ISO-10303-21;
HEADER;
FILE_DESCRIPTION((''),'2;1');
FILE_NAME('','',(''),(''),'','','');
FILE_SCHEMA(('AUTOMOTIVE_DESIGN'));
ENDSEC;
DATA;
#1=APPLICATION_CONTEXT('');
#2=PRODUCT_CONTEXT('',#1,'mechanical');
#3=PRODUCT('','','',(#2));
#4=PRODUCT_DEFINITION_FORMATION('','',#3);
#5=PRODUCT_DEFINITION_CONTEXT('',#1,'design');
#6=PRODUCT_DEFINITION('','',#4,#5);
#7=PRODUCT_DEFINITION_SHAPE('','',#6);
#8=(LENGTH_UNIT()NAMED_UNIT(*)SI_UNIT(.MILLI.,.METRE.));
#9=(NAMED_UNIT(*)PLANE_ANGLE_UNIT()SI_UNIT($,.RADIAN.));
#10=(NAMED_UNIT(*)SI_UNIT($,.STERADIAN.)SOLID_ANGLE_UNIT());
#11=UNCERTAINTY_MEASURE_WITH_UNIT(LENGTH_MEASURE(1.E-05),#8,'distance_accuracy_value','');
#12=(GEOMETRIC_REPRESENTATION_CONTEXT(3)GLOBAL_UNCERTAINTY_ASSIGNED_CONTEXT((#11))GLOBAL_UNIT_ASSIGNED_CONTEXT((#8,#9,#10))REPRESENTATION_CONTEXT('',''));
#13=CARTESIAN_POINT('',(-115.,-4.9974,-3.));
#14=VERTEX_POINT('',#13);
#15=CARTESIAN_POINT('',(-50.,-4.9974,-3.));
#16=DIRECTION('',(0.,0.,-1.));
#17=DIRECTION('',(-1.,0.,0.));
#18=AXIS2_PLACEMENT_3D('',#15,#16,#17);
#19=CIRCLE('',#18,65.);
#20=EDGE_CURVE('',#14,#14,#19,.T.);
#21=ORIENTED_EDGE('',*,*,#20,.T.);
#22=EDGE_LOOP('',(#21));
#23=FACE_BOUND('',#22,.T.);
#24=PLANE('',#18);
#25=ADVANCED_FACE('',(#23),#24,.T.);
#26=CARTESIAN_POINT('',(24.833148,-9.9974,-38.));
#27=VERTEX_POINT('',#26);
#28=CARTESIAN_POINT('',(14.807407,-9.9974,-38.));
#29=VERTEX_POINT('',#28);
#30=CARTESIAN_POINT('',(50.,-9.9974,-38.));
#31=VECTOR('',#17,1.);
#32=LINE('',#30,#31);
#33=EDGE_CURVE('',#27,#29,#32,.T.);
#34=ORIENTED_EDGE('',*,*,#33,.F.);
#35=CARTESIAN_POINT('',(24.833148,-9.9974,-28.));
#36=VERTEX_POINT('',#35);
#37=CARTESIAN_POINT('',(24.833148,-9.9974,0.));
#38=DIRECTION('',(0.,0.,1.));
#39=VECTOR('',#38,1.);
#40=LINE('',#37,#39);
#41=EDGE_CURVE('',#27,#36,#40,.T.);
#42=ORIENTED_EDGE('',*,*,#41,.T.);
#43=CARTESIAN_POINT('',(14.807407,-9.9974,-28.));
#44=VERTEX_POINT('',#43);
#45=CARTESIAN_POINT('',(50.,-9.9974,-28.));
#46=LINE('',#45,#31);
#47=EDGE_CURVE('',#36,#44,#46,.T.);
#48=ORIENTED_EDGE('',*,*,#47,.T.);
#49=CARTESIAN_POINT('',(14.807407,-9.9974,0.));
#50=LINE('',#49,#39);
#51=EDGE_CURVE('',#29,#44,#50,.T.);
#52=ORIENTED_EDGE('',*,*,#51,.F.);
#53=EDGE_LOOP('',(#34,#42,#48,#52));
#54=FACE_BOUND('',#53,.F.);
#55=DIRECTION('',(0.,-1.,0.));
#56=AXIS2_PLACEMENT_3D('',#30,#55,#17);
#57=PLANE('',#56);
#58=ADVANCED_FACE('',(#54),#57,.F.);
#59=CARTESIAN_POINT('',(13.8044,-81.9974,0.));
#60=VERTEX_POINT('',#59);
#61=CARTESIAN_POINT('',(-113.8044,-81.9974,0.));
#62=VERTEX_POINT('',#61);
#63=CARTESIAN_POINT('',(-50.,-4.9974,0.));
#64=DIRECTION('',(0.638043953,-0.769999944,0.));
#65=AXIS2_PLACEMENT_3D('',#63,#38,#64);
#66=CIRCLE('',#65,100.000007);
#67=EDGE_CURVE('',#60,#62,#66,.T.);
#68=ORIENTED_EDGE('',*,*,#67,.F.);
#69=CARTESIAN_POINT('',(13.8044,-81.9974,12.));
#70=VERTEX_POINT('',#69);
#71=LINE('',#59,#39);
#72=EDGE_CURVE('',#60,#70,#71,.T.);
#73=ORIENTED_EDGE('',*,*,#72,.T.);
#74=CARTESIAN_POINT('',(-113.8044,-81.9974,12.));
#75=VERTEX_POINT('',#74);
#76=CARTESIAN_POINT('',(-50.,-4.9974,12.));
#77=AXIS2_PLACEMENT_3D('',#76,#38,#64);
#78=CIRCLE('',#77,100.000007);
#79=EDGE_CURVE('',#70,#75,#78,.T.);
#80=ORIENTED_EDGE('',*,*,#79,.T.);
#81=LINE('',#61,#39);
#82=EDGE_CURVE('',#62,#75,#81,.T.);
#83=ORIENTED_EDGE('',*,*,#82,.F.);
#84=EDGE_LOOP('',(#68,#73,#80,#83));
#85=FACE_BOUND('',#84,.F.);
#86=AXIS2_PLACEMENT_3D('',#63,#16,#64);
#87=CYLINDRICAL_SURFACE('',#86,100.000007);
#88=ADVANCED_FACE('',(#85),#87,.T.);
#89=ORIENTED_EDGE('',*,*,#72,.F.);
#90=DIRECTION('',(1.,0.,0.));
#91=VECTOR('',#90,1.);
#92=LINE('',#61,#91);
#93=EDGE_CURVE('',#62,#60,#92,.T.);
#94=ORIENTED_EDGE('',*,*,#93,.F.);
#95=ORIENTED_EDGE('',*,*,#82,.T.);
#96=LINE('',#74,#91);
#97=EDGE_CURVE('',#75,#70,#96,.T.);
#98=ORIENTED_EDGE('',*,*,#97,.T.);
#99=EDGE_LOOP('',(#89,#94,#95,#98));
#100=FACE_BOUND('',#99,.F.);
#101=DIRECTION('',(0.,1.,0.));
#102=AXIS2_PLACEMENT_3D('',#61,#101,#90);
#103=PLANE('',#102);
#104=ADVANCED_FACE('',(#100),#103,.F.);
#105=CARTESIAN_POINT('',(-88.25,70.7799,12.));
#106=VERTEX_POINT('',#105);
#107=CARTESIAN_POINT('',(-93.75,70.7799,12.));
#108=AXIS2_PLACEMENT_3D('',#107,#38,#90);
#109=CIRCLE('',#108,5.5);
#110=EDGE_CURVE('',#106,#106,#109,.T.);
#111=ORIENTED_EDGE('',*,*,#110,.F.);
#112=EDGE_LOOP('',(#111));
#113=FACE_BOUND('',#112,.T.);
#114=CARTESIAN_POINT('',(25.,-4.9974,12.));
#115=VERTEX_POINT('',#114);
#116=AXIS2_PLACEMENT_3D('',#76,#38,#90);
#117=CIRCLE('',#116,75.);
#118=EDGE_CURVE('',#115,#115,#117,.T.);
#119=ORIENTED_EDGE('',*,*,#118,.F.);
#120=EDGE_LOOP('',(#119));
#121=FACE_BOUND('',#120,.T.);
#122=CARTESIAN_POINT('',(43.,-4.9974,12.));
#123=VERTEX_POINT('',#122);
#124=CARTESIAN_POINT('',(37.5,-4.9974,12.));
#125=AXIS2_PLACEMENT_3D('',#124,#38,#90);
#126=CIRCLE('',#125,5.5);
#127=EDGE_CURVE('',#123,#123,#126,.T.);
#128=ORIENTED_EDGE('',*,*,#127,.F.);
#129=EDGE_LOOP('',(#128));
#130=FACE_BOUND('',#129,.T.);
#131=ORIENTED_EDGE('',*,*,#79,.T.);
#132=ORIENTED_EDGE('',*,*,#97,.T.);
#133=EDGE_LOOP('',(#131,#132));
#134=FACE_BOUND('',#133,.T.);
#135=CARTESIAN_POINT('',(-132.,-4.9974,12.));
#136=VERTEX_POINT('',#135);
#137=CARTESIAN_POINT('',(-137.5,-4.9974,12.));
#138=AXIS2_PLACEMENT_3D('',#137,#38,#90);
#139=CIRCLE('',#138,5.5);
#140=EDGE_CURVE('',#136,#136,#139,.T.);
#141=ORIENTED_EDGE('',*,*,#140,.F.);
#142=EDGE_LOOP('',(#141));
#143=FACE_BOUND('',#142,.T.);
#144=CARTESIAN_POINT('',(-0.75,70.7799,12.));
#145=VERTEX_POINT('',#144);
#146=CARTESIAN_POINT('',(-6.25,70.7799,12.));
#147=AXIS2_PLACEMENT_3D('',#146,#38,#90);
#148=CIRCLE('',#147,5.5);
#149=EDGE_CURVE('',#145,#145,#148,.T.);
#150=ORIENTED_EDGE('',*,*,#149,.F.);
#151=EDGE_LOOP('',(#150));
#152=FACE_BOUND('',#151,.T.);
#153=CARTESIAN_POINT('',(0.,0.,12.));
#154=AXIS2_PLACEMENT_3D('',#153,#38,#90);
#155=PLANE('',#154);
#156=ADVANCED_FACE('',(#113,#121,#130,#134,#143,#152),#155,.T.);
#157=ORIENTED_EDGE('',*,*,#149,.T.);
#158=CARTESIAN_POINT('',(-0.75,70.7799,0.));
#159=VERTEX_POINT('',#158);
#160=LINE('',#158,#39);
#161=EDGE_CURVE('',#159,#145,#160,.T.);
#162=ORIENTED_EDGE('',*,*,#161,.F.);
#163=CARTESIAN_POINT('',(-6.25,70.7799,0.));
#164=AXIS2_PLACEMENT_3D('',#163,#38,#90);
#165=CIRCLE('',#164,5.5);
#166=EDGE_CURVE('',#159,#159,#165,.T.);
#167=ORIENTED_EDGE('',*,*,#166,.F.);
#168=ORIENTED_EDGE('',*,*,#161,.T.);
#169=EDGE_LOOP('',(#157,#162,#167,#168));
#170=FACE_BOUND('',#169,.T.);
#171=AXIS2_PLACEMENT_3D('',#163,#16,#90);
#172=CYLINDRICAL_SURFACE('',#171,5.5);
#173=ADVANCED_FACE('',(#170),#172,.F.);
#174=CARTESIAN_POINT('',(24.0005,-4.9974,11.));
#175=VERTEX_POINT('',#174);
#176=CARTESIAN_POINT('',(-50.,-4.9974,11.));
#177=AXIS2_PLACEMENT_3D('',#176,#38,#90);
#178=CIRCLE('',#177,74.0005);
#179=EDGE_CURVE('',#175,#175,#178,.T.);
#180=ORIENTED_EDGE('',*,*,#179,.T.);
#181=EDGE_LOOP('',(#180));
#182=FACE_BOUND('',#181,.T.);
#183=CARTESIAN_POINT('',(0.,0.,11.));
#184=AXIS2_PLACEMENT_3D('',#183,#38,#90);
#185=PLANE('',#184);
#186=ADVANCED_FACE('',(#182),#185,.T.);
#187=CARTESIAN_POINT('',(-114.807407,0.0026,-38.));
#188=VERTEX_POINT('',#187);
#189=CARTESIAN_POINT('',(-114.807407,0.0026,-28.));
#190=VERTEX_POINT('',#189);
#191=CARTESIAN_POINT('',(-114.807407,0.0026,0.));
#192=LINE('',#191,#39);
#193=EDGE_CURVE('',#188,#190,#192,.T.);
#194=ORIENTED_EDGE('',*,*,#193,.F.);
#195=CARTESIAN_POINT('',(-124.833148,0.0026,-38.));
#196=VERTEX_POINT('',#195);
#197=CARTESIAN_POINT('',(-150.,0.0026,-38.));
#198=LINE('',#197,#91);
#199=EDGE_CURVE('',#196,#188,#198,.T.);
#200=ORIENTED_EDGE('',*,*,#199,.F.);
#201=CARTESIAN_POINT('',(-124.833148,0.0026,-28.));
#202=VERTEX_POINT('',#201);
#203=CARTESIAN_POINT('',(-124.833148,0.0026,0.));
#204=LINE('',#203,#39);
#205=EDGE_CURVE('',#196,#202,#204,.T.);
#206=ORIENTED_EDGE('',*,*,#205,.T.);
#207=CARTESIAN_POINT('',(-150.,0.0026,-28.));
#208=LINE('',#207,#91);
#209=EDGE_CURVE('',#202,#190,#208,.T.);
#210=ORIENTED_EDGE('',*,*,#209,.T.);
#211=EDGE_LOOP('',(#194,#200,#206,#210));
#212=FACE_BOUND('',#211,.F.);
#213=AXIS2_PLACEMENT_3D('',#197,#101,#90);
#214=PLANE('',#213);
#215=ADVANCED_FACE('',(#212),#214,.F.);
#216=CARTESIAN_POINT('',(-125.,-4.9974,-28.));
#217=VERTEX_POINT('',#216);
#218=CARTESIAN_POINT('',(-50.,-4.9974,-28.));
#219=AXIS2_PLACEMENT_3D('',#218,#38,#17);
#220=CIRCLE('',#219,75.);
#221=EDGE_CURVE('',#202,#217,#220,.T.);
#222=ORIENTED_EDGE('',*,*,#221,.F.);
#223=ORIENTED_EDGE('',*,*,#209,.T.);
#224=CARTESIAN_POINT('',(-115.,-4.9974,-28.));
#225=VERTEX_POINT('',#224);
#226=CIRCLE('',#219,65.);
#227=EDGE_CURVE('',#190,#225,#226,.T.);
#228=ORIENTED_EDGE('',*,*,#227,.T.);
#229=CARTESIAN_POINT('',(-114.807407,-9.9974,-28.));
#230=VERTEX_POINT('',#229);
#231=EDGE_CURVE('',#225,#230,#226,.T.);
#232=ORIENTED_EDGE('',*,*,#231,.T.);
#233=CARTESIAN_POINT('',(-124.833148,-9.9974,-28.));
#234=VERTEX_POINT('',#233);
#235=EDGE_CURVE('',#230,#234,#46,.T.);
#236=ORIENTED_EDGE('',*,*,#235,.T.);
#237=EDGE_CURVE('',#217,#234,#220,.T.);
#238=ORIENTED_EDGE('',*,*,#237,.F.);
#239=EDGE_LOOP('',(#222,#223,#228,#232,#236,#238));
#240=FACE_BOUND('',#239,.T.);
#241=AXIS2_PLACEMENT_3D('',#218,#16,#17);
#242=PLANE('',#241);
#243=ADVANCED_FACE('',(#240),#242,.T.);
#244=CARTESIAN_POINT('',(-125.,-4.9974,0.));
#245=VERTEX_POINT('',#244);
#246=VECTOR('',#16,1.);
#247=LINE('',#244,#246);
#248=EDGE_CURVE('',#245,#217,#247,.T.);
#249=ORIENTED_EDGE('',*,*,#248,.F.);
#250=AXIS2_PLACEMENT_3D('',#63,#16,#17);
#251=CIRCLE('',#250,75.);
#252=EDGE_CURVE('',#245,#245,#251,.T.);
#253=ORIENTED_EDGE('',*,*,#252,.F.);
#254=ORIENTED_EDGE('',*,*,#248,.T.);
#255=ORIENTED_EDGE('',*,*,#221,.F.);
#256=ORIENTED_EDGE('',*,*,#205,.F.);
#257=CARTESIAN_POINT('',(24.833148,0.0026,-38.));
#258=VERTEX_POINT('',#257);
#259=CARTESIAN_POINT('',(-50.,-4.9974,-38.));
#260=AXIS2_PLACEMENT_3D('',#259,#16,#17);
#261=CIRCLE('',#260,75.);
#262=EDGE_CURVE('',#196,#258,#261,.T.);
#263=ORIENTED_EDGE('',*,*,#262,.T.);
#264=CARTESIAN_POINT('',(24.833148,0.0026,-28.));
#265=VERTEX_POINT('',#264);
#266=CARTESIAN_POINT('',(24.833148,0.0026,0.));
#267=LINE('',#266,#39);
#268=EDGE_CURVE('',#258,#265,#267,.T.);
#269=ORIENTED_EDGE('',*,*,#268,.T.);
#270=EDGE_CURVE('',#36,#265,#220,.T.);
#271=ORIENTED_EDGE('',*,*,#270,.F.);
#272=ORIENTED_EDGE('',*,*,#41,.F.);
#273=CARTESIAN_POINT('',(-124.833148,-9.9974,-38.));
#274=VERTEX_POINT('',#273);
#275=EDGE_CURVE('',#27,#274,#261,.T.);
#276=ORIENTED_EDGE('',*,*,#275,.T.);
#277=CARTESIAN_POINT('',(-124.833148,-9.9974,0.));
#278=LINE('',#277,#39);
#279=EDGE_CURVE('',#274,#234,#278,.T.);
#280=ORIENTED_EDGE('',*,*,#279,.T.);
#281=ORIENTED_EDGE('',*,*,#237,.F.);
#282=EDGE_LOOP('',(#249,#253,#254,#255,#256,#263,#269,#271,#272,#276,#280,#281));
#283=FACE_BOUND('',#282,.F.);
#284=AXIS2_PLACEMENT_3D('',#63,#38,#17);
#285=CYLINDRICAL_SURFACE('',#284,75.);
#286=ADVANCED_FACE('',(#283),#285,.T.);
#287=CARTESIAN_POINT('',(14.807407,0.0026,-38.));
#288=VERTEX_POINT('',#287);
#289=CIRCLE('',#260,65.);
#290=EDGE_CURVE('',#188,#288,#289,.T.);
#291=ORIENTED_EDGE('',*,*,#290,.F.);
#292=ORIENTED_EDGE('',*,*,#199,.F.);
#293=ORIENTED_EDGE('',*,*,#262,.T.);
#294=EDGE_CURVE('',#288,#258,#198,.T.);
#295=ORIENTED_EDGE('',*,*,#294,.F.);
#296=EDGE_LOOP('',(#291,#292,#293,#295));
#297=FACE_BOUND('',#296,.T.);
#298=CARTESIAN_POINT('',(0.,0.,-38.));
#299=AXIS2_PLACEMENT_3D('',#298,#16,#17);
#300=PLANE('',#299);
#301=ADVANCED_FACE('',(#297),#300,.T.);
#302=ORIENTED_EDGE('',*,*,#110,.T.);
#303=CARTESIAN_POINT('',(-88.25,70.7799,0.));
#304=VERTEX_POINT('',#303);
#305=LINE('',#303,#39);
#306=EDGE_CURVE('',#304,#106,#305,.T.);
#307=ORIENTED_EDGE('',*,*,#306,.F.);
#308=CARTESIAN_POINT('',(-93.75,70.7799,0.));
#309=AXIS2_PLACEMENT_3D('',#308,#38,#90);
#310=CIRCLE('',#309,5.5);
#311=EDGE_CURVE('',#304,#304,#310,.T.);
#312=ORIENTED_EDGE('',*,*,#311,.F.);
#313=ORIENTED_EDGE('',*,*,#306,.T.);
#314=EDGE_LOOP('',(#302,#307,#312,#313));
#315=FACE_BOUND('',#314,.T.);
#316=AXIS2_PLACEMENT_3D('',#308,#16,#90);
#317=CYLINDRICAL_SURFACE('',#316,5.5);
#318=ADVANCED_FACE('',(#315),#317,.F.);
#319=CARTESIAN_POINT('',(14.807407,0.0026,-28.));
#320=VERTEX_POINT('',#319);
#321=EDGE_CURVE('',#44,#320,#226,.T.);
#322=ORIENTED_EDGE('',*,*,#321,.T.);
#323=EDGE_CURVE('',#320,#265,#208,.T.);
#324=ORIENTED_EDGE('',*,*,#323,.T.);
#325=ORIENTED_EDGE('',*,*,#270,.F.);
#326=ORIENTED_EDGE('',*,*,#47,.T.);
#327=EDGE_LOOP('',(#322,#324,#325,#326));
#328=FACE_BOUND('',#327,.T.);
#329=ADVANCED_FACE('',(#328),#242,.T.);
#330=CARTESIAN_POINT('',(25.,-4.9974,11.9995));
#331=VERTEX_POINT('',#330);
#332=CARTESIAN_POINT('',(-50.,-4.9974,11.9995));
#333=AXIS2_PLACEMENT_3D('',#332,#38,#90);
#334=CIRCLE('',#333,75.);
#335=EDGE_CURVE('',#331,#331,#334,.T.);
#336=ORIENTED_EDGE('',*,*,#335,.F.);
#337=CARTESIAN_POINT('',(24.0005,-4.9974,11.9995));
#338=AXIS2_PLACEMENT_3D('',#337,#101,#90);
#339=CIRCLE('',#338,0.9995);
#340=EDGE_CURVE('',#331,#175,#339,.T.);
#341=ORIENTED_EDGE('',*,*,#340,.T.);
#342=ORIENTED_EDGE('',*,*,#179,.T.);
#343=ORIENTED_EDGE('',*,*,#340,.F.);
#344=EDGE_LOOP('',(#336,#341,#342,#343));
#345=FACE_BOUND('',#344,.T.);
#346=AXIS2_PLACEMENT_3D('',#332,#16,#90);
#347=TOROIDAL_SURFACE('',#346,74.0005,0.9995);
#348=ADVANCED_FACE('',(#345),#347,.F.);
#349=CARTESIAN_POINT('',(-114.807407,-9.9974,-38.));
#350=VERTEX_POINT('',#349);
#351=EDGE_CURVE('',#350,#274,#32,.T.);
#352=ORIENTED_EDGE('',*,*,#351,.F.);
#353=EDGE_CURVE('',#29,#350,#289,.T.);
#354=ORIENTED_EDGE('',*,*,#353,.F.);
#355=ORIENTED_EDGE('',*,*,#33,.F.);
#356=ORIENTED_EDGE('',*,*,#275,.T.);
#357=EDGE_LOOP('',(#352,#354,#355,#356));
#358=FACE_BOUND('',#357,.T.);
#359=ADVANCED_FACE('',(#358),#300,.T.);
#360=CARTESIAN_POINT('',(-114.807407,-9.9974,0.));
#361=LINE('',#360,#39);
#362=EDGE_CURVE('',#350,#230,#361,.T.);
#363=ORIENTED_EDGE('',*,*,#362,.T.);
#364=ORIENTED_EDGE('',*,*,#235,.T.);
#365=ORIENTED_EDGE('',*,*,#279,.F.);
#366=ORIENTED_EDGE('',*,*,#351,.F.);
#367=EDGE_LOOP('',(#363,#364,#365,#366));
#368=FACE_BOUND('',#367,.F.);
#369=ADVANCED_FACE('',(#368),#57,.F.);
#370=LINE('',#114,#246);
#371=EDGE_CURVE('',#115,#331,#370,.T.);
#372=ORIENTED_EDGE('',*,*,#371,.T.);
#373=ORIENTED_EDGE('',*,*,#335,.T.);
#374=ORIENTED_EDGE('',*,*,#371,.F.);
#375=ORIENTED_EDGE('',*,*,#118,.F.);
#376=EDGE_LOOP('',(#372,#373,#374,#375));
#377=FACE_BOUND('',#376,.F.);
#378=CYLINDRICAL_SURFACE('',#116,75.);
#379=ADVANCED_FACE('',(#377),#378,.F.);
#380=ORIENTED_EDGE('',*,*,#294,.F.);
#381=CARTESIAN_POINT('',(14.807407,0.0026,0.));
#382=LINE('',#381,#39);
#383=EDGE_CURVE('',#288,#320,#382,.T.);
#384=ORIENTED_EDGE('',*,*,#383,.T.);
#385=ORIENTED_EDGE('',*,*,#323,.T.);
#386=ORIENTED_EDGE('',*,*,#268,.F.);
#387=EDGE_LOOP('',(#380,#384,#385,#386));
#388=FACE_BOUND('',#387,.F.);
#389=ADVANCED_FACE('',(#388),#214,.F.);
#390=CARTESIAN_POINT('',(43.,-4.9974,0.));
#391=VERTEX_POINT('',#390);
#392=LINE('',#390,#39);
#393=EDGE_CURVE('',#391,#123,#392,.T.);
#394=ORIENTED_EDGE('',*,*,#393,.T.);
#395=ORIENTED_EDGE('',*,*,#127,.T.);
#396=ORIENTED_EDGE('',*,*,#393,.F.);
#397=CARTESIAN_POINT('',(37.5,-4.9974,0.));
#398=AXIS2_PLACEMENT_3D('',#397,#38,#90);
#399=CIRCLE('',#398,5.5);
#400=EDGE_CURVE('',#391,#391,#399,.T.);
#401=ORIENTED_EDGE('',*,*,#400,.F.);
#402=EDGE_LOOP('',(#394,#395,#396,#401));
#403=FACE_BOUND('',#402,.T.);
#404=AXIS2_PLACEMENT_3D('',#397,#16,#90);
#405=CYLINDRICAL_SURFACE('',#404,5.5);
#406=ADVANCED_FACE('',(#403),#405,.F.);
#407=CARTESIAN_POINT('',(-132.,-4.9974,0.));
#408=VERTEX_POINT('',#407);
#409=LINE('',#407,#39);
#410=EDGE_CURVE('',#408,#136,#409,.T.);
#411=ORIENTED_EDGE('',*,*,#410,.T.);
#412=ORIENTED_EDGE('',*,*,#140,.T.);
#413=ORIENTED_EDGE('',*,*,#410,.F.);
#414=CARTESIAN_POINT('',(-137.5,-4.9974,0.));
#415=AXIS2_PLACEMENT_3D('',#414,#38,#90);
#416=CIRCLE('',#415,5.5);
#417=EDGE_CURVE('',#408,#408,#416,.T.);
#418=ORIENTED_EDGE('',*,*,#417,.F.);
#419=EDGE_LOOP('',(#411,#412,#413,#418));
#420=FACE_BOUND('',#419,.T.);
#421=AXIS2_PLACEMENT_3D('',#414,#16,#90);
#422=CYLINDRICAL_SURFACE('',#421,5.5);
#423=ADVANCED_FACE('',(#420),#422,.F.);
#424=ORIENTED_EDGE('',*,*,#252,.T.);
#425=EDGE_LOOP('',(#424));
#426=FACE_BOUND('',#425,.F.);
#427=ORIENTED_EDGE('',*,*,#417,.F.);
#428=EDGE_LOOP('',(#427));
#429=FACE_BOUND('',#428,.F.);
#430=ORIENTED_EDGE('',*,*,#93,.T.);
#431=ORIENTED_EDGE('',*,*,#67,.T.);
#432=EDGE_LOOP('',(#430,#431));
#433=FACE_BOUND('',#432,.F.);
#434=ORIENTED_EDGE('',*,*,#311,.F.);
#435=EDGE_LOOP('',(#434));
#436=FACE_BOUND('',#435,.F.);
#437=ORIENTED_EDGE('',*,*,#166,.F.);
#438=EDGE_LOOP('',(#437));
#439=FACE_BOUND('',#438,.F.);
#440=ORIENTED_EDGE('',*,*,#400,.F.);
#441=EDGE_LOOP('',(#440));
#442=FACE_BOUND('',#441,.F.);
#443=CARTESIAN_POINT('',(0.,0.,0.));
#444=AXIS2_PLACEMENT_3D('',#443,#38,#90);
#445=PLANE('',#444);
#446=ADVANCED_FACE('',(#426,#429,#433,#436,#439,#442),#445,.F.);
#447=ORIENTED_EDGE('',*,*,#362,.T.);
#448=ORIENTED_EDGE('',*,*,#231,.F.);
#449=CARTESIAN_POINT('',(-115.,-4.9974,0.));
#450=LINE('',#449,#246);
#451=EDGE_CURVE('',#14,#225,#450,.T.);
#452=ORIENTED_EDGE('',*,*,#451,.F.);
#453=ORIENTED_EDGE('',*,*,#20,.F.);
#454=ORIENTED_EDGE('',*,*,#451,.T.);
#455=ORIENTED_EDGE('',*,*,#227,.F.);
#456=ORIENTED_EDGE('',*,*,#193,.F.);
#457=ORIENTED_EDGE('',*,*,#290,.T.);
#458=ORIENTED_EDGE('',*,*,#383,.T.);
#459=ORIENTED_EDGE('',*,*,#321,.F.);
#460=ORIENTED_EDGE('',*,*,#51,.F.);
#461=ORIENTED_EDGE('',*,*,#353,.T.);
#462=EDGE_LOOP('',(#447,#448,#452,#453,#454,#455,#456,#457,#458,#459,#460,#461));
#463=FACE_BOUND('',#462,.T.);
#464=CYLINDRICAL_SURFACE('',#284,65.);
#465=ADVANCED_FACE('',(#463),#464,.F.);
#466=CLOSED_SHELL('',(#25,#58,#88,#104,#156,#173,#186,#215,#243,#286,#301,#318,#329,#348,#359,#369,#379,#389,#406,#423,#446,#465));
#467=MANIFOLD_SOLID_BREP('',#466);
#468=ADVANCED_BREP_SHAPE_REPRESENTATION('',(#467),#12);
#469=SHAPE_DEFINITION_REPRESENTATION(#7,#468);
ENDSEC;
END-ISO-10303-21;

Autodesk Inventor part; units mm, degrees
ref_plane "YZ Plane" through (0, 0, 0) normal (1, 0, 0) x (0, 1, 0)
ref_plane "XZ Plane" through (0, 0, 0) normal (0, 1, 0) x (-1, 0, 0)
ref_plane "工作平面1" through (0, 0, 0) normal (0, 0, 1) x (1, 0, 0)
sketch "草图1" plane through (0, 0, 0) normal (0, 0, 1) x (1, 0, 0)
  arc A0 (9.993, -85.0026) -> (-35, 93.8712) centre (-50, -4.9974) ccw construction
  arc A1 (-50, -79.9974) -> (-50, 70.0026) centre (-50, -4.9974) ccw construction
  line L0 (-50, -79.9974) -> (-50, -85.0026) construction
  line L1 (-35, -85.0026) -> (-50, -85.0026) construction
  line L2 (-35, -95.0026) -> (-35, -85.0026) construction
  line L3 (9.993, -95.0026) -> (-35, -95.0026) construction
  line L4 (9.993, -95.0026) -> (9.993, -85.0026) construction
  arc A2 (9.993, -85.0026) -> (-35, 93.8712) centre (-50, -4.9974) ccw construction
  line L5 (-35, 93.8712) -> (-35, 95.0026) construction
  line L6 (-35, 95.0026) -> (-50, 95.0026) construction
  line L7 (-50, 95.0026) -> (-50, 70.0026) construction
  arc A3 (13.8044, -81.9974) -> (-113.8044, -81.9974) centre (-50, -4.9974) ccw
  line L8 (-113.8044, -81.9974) -> (13.8044, -81.9974)
  circle A4 centre (-50, -4.9974) radius 87.5 construction
  line L9 (-162.5015, -4.9974) -> (70.6652, -4.9974) construction
  circle A5 centre (-137.5, -4.9974) radius 5.5
  circle A6 centre (-93.75, -80.7746) radius 5.5 construction
  circle A7 centre (-6.25, -80.7746) radius 5.5 construction
  circle A8 centre (37.5, -4.9974) radius 5.5
  circle A9 centre (-6.25, 70.7799) radius 5.5
  circle A10 centre (-93.75, 70.7799) radius 5.5
  point P0 (0, 0)
  point P1 (-50, -81.9974)
  dimension "d1" = 175
  dimension "d0" = 2
  dimension "d2" = 11
  dimension "d5" = 360
extrude "拉伸1" add sketch "草图1" along normal blind 12
sketch "草图2" plane through (0, 0, 0) normal (0, 0, -1) x (-1, 0, 0)
  arc A0 (113.8044, -81.9974) -> (-13.8044, -81.9974) centre (50, -4.9974) ccw construction
  circle A1 centre (50, -4.9974) radius 75
  circle A2 centre (50, -4.9974) radius 65
  point P0 (0, 0)
  dimension "d9" = 150
  dimension "d10" = 10
extrude "拉伸2" add sketch "草图2" along normal blind 38
sketch "草图3" plane through (0, 0, 12) normal (0, 0, 1) x (1, 0, 0)
  arc A0 (13.8044, -81.9974) -> (-113.8044, -81.9974) centre (-50, -4.9974) ccw construction
  circle A1 centre (-50, -4.9974) radius 75
  circle A2 centre (-137.5, -4.9974) radius 5.5 construction
  point P0 (0, 0)
  dimension "d13" = 150
extrude "拉伸3" cut sketch "草图3" against normal blind 1
fillet "圆角1" radius 1 1 edges at (-125, -4.9974, 11)
sketch "草图4" plane through (-50, -4.9974, -38) normal (0, 0, -1) x (-1, 0, 0)
  line L0 (100, 5) -> (-100, 5)
  line L1 (-100, 5) -> (-100, -5)
  line L2 (-100, -5) -> (100, -5)
  line L3 (100, -5) -> (100, 5)
  circle A0 centre (0, 0) radius 65 construction
  point P0 (-50, 4.9974)
  point P1 (100, 0)
  point P2 (0, -5)
  dimension "d17" = 10
  dimension "d18" = 200
extrude "拉伸4" cut sketch "草图4" against normal blind 10
sketch "草图5" plane through (-50, -4.9974, 0) normal (0, 0, -1) x (-1, 0, 0)
  circle A0 centre (0, 0) radius 65 projected
  point P0 (-50, 4.9974)
extrude "拉伸5" add sketch "草图5" along normal blind 3
properties part number "轴承端盖3"
